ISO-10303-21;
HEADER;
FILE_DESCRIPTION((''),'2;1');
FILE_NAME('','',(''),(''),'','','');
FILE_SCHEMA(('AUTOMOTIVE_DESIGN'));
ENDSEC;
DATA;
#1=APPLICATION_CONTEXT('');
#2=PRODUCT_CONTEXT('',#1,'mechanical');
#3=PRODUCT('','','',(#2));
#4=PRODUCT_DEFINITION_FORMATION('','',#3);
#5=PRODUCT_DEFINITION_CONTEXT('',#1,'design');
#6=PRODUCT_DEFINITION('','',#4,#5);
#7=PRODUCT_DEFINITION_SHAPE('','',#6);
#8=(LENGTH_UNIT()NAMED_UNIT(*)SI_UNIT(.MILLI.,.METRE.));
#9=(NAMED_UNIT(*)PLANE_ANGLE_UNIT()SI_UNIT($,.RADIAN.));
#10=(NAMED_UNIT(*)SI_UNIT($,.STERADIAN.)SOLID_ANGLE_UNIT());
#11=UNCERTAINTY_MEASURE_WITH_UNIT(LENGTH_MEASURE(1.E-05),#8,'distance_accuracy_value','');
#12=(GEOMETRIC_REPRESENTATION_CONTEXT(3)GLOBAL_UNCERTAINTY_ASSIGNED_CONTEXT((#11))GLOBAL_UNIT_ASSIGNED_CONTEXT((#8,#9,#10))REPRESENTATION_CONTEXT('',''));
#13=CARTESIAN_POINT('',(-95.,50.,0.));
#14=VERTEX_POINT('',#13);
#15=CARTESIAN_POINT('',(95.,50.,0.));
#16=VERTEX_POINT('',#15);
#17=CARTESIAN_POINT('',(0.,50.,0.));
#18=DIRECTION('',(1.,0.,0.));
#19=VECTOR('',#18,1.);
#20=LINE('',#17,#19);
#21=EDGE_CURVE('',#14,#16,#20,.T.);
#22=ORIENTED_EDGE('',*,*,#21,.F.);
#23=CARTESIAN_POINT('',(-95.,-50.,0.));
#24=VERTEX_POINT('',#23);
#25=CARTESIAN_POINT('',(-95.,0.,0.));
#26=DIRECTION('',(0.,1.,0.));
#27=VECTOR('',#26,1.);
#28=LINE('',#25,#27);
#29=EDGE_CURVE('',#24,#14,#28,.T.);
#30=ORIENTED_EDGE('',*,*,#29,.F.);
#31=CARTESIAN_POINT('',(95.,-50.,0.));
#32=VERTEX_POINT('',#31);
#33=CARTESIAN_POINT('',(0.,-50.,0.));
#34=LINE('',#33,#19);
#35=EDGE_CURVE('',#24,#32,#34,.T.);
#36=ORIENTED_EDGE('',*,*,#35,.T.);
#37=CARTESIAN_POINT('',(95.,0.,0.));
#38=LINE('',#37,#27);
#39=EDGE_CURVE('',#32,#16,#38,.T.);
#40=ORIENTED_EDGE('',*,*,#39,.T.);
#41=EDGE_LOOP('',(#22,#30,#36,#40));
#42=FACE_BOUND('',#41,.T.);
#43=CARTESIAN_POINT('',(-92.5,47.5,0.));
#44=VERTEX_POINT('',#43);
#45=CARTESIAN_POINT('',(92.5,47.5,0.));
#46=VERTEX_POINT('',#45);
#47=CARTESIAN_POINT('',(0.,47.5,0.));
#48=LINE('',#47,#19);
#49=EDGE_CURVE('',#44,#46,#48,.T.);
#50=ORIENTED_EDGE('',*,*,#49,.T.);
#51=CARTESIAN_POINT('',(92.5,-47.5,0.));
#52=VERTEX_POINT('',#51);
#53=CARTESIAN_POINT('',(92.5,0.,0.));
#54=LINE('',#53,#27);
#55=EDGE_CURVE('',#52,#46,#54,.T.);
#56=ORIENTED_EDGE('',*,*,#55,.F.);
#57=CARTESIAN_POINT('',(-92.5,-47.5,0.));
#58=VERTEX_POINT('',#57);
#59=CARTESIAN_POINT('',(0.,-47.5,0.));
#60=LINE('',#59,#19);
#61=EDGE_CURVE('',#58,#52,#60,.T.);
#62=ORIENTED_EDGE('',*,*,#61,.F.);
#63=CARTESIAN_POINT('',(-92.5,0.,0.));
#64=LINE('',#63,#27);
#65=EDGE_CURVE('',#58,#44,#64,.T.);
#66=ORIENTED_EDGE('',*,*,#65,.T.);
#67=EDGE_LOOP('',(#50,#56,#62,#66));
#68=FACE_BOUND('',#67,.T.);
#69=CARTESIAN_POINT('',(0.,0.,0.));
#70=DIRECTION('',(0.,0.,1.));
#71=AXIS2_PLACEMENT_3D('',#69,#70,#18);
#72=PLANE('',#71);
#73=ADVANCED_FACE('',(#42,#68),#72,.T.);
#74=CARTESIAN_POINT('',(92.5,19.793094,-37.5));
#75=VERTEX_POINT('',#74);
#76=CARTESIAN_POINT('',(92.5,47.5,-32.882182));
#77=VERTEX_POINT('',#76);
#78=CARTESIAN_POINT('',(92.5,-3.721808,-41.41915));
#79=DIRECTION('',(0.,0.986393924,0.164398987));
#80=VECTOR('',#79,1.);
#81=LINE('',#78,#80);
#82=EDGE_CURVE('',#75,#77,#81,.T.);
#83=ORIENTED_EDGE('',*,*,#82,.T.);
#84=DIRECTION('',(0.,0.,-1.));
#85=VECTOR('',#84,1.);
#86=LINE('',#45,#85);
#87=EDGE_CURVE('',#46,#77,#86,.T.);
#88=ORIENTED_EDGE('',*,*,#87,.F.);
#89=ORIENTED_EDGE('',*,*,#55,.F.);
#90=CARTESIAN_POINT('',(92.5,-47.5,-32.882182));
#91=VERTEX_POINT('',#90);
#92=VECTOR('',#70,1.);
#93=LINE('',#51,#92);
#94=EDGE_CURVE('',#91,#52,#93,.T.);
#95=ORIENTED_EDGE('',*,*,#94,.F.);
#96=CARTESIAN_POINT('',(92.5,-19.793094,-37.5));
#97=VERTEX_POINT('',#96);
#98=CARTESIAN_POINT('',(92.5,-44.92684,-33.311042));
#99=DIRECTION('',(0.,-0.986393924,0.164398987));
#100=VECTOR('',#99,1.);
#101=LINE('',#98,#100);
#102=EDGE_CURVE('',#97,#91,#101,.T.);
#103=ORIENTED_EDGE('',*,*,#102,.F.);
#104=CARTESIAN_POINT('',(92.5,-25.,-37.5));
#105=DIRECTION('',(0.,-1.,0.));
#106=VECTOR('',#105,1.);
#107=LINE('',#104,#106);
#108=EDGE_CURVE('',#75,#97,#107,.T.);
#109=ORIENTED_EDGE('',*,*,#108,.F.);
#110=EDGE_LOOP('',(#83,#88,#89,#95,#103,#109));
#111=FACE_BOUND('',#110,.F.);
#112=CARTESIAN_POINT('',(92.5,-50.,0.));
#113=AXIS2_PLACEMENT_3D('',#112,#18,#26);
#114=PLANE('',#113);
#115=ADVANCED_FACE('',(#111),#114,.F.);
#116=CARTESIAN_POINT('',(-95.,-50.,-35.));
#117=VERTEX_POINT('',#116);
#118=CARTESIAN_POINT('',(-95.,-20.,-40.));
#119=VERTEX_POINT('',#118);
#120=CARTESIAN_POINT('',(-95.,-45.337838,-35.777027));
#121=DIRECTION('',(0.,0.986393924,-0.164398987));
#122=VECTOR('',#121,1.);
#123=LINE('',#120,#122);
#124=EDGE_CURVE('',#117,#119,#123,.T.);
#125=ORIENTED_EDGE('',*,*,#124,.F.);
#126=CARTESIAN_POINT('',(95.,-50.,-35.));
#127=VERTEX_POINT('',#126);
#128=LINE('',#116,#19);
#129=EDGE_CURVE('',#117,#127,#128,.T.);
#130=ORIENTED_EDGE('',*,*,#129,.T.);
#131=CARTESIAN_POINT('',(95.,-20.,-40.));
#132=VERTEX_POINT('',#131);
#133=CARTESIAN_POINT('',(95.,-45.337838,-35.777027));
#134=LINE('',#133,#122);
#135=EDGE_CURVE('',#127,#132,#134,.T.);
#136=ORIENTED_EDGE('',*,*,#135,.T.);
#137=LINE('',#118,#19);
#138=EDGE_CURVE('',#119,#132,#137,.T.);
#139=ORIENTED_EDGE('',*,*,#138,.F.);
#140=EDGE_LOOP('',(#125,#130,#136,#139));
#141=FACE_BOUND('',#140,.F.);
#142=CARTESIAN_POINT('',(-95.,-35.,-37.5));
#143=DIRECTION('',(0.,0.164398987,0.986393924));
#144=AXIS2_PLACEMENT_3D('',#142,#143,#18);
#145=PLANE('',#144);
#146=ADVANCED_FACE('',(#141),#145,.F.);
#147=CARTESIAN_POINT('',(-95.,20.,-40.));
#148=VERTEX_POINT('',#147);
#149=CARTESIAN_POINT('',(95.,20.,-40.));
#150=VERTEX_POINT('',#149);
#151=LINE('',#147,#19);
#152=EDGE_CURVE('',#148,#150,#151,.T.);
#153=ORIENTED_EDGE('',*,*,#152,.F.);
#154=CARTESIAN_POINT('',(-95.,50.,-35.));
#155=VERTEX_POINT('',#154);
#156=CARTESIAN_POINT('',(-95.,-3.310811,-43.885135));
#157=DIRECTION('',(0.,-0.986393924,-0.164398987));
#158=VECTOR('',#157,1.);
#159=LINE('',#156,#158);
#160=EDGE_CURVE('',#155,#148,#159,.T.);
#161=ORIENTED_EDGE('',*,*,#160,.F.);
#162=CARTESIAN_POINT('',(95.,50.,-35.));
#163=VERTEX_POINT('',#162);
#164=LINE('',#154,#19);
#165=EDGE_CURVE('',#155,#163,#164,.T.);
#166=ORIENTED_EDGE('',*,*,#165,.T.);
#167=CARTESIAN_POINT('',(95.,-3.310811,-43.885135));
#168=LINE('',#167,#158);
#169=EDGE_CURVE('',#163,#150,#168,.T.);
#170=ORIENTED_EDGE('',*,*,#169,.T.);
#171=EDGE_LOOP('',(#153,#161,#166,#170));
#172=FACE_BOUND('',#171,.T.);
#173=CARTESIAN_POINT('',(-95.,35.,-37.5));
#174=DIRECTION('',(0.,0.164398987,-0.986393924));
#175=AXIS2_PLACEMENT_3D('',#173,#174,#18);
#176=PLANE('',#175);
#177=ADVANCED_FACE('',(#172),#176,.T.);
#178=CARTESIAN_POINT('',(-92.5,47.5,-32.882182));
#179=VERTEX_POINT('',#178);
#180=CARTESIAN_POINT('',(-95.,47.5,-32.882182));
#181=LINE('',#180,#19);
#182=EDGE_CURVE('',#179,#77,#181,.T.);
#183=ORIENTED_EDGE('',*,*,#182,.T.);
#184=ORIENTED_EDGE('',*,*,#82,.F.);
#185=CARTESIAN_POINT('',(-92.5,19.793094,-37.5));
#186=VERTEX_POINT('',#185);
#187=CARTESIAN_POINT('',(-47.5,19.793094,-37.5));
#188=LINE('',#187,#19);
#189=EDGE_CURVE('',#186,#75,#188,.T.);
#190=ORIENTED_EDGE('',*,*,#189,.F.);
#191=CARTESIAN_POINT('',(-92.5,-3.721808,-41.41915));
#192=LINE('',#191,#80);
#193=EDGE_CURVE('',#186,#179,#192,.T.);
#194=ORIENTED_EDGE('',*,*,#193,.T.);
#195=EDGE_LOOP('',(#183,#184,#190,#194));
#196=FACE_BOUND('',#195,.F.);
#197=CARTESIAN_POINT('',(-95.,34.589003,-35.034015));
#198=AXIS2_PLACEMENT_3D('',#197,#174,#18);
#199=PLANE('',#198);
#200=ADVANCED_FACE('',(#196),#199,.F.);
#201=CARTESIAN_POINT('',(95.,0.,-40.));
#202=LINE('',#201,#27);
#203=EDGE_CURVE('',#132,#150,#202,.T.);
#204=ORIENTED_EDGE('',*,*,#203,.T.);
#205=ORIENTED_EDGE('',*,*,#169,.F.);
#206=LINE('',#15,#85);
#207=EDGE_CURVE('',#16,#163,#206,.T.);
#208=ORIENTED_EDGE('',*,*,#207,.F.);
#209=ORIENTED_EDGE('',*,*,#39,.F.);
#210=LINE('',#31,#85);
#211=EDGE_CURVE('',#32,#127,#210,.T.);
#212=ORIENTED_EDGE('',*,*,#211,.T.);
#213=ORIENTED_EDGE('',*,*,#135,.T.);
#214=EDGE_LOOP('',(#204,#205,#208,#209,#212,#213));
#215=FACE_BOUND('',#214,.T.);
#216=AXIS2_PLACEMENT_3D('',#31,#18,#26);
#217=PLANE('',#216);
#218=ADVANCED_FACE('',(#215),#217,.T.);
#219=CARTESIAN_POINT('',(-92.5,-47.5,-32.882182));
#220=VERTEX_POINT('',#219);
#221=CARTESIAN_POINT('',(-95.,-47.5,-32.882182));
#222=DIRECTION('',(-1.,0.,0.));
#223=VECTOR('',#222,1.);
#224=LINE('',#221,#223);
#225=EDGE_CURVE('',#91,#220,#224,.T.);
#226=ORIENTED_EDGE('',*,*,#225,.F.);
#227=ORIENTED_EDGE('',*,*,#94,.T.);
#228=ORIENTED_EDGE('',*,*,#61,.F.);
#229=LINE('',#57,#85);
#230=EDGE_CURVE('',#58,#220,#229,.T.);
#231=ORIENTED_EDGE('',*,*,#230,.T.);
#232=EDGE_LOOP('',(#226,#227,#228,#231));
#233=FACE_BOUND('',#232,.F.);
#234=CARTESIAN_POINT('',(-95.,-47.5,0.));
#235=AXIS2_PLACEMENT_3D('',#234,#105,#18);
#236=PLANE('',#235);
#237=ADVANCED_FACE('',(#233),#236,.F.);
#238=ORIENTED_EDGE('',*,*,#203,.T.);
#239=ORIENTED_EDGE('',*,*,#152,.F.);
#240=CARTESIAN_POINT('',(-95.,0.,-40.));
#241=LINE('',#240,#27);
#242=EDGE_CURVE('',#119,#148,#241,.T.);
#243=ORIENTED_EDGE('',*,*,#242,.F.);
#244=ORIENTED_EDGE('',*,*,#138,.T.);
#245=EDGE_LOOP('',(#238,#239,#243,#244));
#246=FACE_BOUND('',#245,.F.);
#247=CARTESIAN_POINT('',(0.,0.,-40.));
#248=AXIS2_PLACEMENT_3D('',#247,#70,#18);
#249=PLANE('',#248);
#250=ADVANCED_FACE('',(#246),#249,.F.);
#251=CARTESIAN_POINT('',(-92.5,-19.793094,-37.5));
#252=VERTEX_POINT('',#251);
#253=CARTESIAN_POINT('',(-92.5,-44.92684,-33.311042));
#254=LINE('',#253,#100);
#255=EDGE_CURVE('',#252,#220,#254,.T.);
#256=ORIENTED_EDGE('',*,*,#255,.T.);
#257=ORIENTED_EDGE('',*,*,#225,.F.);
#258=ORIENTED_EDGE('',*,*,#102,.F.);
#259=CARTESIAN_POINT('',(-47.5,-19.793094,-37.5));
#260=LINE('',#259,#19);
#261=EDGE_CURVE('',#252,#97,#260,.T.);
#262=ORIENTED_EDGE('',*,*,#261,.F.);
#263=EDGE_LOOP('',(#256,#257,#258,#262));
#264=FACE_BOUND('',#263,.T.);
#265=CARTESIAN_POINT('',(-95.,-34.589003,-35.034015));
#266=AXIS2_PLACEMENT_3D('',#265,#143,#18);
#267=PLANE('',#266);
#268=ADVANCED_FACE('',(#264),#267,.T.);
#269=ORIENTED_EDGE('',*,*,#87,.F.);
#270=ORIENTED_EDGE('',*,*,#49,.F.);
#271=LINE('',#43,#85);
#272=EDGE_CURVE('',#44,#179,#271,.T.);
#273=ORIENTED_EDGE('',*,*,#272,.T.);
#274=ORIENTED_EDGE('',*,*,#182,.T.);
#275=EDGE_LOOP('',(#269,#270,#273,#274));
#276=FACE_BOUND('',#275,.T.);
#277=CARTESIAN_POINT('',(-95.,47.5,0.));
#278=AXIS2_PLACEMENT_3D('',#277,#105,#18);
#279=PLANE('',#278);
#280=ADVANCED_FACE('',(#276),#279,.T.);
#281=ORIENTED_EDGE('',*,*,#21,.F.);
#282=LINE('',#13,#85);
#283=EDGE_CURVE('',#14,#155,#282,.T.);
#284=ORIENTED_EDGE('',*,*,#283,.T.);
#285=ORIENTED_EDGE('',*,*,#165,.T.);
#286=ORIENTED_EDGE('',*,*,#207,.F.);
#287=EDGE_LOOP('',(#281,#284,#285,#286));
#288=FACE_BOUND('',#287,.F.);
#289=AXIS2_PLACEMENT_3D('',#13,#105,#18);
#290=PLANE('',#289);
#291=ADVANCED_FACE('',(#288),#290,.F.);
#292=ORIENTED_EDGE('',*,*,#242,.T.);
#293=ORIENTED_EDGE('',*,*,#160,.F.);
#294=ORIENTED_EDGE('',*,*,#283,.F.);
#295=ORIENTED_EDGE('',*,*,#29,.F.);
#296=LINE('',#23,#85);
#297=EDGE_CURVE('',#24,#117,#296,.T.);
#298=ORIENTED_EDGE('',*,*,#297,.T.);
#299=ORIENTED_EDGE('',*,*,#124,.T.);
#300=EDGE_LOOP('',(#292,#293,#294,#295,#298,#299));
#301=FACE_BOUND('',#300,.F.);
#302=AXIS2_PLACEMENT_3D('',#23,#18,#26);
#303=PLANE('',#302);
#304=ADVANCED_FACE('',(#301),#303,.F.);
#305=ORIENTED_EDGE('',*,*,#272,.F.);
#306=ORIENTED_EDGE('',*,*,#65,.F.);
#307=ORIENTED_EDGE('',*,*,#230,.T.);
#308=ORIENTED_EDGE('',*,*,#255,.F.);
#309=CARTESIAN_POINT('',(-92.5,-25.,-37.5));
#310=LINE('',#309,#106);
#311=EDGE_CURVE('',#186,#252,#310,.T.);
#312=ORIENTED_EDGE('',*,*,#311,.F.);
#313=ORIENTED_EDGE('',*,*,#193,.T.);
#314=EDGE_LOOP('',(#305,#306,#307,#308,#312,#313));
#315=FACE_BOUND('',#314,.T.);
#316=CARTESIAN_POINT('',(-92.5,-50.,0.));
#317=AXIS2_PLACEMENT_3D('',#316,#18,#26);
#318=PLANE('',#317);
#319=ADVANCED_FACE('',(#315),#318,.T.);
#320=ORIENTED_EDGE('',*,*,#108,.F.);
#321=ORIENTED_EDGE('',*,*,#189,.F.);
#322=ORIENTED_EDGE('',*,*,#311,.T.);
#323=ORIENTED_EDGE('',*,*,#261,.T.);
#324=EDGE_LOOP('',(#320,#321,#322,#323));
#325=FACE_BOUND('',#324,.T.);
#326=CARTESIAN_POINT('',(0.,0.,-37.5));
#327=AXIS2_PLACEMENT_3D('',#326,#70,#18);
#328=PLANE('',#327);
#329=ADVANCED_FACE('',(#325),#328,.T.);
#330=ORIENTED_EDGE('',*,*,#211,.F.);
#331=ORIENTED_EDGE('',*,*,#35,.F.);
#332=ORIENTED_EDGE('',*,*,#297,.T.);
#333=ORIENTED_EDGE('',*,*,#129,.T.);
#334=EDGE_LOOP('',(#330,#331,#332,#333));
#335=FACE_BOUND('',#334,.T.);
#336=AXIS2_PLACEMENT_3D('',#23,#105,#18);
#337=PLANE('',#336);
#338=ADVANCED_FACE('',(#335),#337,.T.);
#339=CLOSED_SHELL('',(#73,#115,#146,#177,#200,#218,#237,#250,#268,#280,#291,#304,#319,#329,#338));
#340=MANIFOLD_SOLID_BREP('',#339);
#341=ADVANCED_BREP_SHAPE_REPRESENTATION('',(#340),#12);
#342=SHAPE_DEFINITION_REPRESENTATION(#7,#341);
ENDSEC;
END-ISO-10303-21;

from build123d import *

# Parameters (mm, degrees)
F0_W     = 190
F0_H     = 100
F1_DEPTH = 40
F2_SIZE2 = 30
F2_SIZE  = 5
F3_T     = -2.5


with BuildPart() as f1:
    # F0 (on Top) → F1 (new body)
    with BuildSketch(Plane.XY):
        Rectangle(F0_W, F0_H)
    extrude(amount=-F1_DEPTH)

    # F2
    f2_edges = [f1.edges().sort_by_distance(p)[0] for p in [
        (0, 50, -40),
        (0, -50, -40),
    ]]
    chamfer(f2_edges, length=F2_SIZE, length2=F2_SIZE2)

    # F3
    f3_openings = [f1.faces().sort_by_distance(p)[0] for p in [
        (0, 0, 0),
    ]]
    offset(amount=F3_T, openings=f3_openings)


solid = f1.part
